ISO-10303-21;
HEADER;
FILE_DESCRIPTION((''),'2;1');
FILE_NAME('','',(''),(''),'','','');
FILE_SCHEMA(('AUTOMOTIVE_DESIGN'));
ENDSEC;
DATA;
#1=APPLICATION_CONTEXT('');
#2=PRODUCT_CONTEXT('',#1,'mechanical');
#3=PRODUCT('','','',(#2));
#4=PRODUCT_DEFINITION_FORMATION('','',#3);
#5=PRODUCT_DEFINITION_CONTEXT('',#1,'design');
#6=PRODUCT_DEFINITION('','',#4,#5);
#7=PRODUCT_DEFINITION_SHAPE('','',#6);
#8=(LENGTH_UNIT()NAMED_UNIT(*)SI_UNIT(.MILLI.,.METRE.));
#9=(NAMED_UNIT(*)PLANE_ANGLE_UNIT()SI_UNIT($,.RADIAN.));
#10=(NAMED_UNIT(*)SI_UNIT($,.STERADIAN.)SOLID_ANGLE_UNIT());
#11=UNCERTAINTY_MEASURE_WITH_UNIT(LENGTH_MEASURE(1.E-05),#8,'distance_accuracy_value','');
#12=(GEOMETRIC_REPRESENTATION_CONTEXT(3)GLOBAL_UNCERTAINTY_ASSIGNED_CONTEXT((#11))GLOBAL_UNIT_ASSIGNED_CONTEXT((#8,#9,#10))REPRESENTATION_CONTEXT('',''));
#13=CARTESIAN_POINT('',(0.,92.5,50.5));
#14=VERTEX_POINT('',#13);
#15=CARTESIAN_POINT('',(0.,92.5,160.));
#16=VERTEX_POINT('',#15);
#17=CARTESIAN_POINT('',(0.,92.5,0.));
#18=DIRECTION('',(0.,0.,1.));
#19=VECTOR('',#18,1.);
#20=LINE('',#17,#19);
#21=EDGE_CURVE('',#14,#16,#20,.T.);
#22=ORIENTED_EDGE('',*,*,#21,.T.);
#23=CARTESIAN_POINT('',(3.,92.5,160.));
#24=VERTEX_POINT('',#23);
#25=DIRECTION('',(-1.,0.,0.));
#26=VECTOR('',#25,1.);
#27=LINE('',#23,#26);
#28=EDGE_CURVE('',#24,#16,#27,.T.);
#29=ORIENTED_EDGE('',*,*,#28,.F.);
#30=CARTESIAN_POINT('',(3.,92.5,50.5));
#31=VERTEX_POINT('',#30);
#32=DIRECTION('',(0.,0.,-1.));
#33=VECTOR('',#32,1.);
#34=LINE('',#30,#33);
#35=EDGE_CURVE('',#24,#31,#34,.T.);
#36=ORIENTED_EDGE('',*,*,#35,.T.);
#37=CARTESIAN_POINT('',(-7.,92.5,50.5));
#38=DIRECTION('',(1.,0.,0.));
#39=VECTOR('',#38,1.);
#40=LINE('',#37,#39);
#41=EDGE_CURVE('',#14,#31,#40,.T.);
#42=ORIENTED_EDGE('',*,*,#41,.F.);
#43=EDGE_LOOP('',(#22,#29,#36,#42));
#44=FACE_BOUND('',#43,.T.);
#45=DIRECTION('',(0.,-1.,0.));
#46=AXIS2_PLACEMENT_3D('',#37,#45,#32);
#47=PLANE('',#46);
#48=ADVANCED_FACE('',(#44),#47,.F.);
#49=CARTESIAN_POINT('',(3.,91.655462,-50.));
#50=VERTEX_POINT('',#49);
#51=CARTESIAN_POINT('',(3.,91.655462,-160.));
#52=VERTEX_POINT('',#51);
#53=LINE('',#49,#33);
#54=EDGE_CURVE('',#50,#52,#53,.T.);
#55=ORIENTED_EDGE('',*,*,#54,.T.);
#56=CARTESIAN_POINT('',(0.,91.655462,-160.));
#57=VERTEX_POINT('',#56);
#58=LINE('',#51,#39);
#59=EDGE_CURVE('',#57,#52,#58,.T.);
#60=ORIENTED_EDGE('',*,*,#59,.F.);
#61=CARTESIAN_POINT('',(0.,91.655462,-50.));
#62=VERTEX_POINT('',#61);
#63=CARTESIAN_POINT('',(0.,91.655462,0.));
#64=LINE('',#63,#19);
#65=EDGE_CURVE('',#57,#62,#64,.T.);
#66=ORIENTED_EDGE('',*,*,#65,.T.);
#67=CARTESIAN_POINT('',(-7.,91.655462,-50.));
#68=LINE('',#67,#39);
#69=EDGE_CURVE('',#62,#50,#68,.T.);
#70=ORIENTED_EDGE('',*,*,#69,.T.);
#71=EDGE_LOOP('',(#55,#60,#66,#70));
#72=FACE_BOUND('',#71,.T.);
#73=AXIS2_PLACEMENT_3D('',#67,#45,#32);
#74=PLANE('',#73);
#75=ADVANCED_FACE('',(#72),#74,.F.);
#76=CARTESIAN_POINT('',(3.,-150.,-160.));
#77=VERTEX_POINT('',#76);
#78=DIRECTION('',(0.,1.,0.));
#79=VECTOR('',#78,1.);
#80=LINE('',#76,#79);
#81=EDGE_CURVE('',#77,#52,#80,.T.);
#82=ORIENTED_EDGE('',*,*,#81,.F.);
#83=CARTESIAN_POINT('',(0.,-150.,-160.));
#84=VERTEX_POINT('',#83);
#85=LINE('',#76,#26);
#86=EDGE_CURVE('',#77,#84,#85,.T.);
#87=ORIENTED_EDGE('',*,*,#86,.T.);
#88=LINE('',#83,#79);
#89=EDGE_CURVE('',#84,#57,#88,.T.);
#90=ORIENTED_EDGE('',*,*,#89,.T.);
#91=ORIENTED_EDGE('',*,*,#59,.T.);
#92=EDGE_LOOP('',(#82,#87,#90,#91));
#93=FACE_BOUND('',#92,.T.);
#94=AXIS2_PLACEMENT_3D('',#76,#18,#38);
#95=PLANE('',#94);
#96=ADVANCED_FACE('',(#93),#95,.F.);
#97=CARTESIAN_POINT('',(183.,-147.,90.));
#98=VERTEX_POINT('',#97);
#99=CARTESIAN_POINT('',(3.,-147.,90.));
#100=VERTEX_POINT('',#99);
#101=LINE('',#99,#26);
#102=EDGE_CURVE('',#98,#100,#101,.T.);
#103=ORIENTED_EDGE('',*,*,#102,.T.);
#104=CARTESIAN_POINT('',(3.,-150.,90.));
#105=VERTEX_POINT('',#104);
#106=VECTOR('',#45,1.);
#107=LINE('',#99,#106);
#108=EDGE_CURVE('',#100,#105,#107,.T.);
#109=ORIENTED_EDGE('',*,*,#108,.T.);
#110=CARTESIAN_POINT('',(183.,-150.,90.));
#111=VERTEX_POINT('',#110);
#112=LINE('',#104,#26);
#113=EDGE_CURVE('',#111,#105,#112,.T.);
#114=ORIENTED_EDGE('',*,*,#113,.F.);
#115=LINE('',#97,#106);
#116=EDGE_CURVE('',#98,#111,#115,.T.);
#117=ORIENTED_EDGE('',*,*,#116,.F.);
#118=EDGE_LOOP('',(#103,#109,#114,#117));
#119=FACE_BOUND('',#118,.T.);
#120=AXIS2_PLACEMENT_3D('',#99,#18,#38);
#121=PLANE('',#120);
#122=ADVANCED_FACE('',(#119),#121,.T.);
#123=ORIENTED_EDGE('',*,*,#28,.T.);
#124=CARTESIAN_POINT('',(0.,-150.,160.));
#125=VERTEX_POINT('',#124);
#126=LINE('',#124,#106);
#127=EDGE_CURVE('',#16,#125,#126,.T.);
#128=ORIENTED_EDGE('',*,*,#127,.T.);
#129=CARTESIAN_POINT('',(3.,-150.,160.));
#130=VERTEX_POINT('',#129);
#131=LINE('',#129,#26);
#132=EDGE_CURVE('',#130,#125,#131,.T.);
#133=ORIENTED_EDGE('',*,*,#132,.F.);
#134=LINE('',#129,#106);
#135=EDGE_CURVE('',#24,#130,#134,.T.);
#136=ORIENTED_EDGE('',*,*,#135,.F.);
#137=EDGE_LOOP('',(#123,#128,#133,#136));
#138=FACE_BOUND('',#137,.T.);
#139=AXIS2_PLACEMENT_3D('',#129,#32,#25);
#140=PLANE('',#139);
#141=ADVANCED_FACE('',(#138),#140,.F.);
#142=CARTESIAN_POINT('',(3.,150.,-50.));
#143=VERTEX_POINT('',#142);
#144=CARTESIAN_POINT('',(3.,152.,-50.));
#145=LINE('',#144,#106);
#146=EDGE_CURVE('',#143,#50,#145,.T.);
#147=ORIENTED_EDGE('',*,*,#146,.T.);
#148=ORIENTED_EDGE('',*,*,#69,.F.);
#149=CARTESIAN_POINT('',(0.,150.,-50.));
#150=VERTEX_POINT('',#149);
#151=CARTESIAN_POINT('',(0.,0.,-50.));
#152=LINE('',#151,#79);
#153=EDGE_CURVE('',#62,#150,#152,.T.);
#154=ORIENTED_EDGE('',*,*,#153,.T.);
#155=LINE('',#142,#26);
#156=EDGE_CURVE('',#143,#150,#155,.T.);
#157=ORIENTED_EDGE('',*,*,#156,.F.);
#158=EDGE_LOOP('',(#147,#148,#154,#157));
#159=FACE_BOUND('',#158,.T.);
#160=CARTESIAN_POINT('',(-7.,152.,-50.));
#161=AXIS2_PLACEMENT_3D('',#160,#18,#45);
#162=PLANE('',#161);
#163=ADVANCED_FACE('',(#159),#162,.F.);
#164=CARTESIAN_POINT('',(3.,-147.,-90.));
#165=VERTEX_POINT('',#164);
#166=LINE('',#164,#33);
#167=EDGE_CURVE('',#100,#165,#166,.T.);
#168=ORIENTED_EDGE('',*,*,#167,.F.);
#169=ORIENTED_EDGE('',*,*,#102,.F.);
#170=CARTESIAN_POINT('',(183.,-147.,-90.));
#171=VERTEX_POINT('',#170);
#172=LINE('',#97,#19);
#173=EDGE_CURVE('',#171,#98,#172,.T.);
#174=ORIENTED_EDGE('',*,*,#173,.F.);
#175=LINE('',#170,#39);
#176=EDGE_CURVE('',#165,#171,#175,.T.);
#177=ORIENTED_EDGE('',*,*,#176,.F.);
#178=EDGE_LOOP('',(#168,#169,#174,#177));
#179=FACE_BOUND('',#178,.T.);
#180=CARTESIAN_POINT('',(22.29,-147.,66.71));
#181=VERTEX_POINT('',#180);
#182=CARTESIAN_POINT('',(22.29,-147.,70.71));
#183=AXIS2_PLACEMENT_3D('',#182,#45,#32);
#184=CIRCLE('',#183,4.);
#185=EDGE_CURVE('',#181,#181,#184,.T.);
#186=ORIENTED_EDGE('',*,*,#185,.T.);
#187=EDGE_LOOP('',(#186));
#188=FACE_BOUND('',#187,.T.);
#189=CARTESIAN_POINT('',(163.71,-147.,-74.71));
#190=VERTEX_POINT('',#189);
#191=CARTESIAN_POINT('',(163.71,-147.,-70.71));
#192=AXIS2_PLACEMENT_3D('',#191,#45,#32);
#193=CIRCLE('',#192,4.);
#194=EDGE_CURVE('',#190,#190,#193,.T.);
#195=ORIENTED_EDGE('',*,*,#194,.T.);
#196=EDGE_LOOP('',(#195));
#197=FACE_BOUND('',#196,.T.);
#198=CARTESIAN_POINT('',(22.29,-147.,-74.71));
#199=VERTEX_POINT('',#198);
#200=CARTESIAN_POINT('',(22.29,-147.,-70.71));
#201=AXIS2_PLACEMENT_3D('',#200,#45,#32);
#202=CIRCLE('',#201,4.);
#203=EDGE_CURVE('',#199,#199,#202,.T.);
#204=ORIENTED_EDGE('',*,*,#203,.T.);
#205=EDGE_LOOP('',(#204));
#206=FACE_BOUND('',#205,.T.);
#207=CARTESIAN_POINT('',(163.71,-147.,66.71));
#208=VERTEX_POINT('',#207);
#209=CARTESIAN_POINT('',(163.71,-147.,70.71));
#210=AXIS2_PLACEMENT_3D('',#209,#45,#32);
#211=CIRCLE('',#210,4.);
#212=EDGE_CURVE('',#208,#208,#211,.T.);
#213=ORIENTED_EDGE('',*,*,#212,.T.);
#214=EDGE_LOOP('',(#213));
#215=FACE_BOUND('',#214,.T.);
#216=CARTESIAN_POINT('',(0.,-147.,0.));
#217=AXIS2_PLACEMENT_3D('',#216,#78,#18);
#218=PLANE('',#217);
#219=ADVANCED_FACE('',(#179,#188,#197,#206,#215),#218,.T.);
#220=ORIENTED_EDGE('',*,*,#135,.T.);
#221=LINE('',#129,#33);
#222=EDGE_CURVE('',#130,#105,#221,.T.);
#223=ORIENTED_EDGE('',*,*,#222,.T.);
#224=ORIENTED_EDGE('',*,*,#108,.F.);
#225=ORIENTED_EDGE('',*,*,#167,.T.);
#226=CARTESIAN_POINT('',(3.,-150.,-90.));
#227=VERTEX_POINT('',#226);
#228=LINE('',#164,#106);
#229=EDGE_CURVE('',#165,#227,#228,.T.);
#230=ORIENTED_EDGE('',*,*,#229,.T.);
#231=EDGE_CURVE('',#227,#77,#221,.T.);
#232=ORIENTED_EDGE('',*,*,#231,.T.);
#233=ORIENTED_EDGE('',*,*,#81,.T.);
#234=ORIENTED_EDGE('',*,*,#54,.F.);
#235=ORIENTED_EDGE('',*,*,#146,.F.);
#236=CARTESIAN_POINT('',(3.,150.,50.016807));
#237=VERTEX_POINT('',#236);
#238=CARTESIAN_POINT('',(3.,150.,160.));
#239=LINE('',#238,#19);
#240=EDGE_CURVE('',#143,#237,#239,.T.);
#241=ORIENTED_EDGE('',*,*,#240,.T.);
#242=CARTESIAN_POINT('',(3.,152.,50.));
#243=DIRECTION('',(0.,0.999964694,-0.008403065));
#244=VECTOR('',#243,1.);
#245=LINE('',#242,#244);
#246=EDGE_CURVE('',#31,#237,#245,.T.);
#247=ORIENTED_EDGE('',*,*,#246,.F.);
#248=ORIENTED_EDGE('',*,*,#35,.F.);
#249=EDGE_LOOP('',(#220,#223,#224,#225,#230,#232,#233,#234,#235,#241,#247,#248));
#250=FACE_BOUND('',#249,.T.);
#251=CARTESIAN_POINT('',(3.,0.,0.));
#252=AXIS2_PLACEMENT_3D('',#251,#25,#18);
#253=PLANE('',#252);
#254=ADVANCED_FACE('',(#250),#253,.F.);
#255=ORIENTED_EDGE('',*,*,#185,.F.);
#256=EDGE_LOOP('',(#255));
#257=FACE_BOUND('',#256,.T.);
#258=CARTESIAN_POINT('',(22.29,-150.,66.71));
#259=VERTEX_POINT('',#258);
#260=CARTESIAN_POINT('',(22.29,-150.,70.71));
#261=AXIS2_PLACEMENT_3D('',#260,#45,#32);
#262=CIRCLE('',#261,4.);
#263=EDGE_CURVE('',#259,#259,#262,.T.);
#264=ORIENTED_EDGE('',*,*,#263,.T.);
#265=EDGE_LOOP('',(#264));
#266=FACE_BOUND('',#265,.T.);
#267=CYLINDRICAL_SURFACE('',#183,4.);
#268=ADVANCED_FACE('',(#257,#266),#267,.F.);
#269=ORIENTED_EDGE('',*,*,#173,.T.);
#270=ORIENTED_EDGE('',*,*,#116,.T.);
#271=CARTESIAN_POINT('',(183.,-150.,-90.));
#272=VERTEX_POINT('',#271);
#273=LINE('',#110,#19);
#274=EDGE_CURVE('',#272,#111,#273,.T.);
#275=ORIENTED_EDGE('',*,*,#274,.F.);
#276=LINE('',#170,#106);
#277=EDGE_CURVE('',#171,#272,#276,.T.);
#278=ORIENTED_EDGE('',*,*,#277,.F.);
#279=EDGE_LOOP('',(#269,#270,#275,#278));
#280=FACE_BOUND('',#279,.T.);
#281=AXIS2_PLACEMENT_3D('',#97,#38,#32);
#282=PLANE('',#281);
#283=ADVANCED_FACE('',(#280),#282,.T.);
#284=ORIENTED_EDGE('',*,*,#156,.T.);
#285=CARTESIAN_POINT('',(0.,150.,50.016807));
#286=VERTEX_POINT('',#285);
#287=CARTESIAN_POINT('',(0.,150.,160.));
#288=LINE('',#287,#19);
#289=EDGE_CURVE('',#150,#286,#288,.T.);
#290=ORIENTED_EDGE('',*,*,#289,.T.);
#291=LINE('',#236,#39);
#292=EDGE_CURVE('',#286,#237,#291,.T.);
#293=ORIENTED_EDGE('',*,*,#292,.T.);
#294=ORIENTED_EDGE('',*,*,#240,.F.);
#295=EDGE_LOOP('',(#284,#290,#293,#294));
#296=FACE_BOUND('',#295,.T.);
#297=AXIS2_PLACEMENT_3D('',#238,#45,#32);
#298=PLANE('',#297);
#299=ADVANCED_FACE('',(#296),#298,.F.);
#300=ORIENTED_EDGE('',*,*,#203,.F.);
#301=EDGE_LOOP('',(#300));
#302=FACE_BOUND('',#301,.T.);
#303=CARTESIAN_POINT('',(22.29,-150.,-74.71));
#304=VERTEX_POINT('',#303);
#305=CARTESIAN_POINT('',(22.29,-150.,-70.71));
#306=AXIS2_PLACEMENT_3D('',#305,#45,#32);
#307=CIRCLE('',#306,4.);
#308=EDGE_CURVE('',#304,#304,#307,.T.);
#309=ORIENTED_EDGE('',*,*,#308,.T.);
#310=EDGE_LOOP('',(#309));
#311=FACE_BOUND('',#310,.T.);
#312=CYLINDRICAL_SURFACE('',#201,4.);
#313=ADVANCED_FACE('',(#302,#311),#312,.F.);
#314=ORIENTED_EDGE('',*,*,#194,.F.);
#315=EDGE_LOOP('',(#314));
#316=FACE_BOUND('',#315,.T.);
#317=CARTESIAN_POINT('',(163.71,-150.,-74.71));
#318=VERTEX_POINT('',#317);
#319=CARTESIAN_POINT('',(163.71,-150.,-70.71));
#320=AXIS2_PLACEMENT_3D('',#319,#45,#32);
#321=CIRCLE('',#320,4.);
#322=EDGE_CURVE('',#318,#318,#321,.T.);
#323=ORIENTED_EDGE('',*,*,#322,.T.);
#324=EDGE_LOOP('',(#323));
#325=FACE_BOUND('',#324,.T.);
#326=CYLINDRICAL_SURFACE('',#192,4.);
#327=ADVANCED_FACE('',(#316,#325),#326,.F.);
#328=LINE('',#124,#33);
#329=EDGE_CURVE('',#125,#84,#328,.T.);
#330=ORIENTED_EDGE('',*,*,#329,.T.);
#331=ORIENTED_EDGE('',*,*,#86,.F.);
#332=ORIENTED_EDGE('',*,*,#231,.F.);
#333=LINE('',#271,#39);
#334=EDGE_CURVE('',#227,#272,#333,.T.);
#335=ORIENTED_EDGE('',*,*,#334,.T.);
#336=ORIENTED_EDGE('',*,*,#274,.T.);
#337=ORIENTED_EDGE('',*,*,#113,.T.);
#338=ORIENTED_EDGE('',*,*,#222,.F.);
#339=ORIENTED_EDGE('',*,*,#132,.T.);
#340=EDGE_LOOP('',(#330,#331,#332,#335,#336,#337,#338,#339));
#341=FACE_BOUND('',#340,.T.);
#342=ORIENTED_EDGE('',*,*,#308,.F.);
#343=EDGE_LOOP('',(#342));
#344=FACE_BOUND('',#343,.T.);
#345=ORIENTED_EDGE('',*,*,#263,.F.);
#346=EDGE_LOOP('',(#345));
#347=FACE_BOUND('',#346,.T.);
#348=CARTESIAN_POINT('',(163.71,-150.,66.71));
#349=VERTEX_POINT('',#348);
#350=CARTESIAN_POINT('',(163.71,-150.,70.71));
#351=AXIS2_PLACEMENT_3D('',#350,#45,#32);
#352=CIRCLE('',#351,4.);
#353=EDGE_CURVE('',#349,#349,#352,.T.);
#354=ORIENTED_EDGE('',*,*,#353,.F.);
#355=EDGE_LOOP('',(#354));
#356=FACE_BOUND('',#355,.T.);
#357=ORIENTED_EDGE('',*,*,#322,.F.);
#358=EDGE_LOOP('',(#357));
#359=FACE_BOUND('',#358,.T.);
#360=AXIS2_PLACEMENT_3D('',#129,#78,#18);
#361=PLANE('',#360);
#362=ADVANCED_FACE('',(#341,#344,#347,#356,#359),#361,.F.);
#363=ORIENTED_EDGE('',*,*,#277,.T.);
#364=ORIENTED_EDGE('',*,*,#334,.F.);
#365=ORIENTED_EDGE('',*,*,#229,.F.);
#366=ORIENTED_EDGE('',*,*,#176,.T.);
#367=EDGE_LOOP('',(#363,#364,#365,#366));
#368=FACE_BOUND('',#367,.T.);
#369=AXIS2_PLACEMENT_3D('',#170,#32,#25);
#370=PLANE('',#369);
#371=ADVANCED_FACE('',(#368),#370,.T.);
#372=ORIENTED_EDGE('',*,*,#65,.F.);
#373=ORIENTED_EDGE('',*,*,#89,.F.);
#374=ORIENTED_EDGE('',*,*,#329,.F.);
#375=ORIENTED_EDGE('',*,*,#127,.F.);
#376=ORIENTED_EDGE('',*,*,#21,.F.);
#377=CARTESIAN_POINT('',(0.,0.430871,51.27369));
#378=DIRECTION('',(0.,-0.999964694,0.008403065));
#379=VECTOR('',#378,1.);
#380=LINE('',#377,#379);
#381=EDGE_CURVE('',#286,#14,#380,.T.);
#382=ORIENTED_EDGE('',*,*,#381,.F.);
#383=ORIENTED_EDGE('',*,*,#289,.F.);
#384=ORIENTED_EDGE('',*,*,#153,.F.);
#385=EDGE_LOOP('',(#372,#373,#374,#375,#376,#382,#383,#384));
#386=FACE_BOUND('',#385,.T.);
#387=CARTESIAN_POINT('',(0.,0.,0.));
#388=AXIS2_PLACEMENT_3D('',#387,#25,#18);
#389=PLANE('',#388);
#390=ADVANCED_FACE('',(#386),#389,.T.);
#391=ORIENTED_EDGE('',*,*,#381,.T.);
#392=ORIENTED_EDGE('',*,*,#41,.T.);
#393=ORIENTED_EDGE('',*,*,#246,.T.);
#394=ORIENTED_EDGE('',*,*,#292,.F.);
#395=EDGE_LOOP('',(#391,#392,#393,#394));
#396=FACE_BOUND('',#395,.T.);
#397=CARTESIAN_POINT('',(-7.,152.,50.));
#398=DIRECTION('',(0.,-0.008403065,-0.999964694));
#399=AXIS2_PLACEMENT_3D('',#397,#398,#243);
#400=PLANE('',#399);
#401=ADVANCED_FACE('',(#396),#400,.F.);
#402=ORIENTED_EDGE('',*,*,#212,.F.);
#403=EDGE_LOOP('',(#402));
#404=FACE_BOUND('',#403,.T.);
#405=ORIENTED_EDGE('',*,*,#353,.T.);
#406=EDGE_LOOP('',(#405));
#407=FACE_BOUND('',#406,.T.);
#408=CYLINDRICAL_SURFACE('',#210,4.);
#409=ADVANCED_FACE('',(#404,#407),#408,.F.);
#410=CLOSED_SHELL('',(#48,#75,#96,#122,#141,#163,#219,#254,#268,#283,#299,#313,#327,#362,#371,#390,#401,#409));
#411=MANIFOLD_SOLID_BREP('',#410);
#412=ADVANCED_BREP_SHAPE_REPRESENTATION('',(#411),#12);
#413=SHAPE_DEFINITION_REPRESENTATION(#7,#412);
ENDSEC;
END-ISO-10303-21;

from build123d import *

# Parameters (mm, degrees)
SKETCH1_W           = 320
SKETCH1_H           = 300
BOSS_EXTRUDE1_DEPTH = 3
SKETCH2_W           = 180
SKETCH2_H           = 180
SKETCH2_R           = 4
BOSS_EXTRUDE2_DEPTH = 3
CUT_EXTRUDE1_DEPTH  = 10


with BuildPart() as part:
    # Sketch1 → Boss-Extrude1 (new body)
    with BuildSketch(Plane(origin=(0, 0, 0), x_dir=(0, 0, -1), z_dir=(1, 0, 0))):
        Rectangle(SKETCH1_W, SKETCH1_H)
    extrude(amount=BOSS_EXTRUDE1_DEPTH)

    # Sketch2 → Boss-Extrude2 (add)
    with BuildSketch(Plane.XZ.offset(150)):
        with Locations((93, 0)):
            Rectangle(SKETCH2_W, SKETCH2_H)
        with Locations((22.29, -70.71)):
            Circle(SKETCH2_R, mode=Mode.SUBTRACT)
        with Locations((22.29, 70.71)):
            Circle(SKETCH2_R, mode=Mode.SUBTRACT)
        with Locations((163.71, 70.71)):
            Circle(SKETCH2_R, mode=Mode.SUBTRACT)
        with Locations((163.71, -70.71)):
            Circle(SKETCH2_R, mode=Mode.SUBTRACT)
    extrude(amount=-BOSS_EXTRUDE2_DEPTH)

    # Sketch3 → Cut-Extrude1 (cut)
    with BuildSketch(Plane(origin=(3, 0, 0), x_dir=(0, 0, -1), z_dir=(1, 0, 0))):
        Polygon((-50, 152), (-50.5, 92.5), (-174.995322546, 92.5), (-174.995322546, 153.849759006), (-150, 158.899747984), align=None)
        Polygon((186.01679007, 162.206902793), (50, 152), (50, 91.655462185), (186.01679007, 91.655462185), align=None)
    extrude(amount=-CUT_EXTRUDE1_DEPTH, mode=Mode.SUBTRACT)


solid = part.part
